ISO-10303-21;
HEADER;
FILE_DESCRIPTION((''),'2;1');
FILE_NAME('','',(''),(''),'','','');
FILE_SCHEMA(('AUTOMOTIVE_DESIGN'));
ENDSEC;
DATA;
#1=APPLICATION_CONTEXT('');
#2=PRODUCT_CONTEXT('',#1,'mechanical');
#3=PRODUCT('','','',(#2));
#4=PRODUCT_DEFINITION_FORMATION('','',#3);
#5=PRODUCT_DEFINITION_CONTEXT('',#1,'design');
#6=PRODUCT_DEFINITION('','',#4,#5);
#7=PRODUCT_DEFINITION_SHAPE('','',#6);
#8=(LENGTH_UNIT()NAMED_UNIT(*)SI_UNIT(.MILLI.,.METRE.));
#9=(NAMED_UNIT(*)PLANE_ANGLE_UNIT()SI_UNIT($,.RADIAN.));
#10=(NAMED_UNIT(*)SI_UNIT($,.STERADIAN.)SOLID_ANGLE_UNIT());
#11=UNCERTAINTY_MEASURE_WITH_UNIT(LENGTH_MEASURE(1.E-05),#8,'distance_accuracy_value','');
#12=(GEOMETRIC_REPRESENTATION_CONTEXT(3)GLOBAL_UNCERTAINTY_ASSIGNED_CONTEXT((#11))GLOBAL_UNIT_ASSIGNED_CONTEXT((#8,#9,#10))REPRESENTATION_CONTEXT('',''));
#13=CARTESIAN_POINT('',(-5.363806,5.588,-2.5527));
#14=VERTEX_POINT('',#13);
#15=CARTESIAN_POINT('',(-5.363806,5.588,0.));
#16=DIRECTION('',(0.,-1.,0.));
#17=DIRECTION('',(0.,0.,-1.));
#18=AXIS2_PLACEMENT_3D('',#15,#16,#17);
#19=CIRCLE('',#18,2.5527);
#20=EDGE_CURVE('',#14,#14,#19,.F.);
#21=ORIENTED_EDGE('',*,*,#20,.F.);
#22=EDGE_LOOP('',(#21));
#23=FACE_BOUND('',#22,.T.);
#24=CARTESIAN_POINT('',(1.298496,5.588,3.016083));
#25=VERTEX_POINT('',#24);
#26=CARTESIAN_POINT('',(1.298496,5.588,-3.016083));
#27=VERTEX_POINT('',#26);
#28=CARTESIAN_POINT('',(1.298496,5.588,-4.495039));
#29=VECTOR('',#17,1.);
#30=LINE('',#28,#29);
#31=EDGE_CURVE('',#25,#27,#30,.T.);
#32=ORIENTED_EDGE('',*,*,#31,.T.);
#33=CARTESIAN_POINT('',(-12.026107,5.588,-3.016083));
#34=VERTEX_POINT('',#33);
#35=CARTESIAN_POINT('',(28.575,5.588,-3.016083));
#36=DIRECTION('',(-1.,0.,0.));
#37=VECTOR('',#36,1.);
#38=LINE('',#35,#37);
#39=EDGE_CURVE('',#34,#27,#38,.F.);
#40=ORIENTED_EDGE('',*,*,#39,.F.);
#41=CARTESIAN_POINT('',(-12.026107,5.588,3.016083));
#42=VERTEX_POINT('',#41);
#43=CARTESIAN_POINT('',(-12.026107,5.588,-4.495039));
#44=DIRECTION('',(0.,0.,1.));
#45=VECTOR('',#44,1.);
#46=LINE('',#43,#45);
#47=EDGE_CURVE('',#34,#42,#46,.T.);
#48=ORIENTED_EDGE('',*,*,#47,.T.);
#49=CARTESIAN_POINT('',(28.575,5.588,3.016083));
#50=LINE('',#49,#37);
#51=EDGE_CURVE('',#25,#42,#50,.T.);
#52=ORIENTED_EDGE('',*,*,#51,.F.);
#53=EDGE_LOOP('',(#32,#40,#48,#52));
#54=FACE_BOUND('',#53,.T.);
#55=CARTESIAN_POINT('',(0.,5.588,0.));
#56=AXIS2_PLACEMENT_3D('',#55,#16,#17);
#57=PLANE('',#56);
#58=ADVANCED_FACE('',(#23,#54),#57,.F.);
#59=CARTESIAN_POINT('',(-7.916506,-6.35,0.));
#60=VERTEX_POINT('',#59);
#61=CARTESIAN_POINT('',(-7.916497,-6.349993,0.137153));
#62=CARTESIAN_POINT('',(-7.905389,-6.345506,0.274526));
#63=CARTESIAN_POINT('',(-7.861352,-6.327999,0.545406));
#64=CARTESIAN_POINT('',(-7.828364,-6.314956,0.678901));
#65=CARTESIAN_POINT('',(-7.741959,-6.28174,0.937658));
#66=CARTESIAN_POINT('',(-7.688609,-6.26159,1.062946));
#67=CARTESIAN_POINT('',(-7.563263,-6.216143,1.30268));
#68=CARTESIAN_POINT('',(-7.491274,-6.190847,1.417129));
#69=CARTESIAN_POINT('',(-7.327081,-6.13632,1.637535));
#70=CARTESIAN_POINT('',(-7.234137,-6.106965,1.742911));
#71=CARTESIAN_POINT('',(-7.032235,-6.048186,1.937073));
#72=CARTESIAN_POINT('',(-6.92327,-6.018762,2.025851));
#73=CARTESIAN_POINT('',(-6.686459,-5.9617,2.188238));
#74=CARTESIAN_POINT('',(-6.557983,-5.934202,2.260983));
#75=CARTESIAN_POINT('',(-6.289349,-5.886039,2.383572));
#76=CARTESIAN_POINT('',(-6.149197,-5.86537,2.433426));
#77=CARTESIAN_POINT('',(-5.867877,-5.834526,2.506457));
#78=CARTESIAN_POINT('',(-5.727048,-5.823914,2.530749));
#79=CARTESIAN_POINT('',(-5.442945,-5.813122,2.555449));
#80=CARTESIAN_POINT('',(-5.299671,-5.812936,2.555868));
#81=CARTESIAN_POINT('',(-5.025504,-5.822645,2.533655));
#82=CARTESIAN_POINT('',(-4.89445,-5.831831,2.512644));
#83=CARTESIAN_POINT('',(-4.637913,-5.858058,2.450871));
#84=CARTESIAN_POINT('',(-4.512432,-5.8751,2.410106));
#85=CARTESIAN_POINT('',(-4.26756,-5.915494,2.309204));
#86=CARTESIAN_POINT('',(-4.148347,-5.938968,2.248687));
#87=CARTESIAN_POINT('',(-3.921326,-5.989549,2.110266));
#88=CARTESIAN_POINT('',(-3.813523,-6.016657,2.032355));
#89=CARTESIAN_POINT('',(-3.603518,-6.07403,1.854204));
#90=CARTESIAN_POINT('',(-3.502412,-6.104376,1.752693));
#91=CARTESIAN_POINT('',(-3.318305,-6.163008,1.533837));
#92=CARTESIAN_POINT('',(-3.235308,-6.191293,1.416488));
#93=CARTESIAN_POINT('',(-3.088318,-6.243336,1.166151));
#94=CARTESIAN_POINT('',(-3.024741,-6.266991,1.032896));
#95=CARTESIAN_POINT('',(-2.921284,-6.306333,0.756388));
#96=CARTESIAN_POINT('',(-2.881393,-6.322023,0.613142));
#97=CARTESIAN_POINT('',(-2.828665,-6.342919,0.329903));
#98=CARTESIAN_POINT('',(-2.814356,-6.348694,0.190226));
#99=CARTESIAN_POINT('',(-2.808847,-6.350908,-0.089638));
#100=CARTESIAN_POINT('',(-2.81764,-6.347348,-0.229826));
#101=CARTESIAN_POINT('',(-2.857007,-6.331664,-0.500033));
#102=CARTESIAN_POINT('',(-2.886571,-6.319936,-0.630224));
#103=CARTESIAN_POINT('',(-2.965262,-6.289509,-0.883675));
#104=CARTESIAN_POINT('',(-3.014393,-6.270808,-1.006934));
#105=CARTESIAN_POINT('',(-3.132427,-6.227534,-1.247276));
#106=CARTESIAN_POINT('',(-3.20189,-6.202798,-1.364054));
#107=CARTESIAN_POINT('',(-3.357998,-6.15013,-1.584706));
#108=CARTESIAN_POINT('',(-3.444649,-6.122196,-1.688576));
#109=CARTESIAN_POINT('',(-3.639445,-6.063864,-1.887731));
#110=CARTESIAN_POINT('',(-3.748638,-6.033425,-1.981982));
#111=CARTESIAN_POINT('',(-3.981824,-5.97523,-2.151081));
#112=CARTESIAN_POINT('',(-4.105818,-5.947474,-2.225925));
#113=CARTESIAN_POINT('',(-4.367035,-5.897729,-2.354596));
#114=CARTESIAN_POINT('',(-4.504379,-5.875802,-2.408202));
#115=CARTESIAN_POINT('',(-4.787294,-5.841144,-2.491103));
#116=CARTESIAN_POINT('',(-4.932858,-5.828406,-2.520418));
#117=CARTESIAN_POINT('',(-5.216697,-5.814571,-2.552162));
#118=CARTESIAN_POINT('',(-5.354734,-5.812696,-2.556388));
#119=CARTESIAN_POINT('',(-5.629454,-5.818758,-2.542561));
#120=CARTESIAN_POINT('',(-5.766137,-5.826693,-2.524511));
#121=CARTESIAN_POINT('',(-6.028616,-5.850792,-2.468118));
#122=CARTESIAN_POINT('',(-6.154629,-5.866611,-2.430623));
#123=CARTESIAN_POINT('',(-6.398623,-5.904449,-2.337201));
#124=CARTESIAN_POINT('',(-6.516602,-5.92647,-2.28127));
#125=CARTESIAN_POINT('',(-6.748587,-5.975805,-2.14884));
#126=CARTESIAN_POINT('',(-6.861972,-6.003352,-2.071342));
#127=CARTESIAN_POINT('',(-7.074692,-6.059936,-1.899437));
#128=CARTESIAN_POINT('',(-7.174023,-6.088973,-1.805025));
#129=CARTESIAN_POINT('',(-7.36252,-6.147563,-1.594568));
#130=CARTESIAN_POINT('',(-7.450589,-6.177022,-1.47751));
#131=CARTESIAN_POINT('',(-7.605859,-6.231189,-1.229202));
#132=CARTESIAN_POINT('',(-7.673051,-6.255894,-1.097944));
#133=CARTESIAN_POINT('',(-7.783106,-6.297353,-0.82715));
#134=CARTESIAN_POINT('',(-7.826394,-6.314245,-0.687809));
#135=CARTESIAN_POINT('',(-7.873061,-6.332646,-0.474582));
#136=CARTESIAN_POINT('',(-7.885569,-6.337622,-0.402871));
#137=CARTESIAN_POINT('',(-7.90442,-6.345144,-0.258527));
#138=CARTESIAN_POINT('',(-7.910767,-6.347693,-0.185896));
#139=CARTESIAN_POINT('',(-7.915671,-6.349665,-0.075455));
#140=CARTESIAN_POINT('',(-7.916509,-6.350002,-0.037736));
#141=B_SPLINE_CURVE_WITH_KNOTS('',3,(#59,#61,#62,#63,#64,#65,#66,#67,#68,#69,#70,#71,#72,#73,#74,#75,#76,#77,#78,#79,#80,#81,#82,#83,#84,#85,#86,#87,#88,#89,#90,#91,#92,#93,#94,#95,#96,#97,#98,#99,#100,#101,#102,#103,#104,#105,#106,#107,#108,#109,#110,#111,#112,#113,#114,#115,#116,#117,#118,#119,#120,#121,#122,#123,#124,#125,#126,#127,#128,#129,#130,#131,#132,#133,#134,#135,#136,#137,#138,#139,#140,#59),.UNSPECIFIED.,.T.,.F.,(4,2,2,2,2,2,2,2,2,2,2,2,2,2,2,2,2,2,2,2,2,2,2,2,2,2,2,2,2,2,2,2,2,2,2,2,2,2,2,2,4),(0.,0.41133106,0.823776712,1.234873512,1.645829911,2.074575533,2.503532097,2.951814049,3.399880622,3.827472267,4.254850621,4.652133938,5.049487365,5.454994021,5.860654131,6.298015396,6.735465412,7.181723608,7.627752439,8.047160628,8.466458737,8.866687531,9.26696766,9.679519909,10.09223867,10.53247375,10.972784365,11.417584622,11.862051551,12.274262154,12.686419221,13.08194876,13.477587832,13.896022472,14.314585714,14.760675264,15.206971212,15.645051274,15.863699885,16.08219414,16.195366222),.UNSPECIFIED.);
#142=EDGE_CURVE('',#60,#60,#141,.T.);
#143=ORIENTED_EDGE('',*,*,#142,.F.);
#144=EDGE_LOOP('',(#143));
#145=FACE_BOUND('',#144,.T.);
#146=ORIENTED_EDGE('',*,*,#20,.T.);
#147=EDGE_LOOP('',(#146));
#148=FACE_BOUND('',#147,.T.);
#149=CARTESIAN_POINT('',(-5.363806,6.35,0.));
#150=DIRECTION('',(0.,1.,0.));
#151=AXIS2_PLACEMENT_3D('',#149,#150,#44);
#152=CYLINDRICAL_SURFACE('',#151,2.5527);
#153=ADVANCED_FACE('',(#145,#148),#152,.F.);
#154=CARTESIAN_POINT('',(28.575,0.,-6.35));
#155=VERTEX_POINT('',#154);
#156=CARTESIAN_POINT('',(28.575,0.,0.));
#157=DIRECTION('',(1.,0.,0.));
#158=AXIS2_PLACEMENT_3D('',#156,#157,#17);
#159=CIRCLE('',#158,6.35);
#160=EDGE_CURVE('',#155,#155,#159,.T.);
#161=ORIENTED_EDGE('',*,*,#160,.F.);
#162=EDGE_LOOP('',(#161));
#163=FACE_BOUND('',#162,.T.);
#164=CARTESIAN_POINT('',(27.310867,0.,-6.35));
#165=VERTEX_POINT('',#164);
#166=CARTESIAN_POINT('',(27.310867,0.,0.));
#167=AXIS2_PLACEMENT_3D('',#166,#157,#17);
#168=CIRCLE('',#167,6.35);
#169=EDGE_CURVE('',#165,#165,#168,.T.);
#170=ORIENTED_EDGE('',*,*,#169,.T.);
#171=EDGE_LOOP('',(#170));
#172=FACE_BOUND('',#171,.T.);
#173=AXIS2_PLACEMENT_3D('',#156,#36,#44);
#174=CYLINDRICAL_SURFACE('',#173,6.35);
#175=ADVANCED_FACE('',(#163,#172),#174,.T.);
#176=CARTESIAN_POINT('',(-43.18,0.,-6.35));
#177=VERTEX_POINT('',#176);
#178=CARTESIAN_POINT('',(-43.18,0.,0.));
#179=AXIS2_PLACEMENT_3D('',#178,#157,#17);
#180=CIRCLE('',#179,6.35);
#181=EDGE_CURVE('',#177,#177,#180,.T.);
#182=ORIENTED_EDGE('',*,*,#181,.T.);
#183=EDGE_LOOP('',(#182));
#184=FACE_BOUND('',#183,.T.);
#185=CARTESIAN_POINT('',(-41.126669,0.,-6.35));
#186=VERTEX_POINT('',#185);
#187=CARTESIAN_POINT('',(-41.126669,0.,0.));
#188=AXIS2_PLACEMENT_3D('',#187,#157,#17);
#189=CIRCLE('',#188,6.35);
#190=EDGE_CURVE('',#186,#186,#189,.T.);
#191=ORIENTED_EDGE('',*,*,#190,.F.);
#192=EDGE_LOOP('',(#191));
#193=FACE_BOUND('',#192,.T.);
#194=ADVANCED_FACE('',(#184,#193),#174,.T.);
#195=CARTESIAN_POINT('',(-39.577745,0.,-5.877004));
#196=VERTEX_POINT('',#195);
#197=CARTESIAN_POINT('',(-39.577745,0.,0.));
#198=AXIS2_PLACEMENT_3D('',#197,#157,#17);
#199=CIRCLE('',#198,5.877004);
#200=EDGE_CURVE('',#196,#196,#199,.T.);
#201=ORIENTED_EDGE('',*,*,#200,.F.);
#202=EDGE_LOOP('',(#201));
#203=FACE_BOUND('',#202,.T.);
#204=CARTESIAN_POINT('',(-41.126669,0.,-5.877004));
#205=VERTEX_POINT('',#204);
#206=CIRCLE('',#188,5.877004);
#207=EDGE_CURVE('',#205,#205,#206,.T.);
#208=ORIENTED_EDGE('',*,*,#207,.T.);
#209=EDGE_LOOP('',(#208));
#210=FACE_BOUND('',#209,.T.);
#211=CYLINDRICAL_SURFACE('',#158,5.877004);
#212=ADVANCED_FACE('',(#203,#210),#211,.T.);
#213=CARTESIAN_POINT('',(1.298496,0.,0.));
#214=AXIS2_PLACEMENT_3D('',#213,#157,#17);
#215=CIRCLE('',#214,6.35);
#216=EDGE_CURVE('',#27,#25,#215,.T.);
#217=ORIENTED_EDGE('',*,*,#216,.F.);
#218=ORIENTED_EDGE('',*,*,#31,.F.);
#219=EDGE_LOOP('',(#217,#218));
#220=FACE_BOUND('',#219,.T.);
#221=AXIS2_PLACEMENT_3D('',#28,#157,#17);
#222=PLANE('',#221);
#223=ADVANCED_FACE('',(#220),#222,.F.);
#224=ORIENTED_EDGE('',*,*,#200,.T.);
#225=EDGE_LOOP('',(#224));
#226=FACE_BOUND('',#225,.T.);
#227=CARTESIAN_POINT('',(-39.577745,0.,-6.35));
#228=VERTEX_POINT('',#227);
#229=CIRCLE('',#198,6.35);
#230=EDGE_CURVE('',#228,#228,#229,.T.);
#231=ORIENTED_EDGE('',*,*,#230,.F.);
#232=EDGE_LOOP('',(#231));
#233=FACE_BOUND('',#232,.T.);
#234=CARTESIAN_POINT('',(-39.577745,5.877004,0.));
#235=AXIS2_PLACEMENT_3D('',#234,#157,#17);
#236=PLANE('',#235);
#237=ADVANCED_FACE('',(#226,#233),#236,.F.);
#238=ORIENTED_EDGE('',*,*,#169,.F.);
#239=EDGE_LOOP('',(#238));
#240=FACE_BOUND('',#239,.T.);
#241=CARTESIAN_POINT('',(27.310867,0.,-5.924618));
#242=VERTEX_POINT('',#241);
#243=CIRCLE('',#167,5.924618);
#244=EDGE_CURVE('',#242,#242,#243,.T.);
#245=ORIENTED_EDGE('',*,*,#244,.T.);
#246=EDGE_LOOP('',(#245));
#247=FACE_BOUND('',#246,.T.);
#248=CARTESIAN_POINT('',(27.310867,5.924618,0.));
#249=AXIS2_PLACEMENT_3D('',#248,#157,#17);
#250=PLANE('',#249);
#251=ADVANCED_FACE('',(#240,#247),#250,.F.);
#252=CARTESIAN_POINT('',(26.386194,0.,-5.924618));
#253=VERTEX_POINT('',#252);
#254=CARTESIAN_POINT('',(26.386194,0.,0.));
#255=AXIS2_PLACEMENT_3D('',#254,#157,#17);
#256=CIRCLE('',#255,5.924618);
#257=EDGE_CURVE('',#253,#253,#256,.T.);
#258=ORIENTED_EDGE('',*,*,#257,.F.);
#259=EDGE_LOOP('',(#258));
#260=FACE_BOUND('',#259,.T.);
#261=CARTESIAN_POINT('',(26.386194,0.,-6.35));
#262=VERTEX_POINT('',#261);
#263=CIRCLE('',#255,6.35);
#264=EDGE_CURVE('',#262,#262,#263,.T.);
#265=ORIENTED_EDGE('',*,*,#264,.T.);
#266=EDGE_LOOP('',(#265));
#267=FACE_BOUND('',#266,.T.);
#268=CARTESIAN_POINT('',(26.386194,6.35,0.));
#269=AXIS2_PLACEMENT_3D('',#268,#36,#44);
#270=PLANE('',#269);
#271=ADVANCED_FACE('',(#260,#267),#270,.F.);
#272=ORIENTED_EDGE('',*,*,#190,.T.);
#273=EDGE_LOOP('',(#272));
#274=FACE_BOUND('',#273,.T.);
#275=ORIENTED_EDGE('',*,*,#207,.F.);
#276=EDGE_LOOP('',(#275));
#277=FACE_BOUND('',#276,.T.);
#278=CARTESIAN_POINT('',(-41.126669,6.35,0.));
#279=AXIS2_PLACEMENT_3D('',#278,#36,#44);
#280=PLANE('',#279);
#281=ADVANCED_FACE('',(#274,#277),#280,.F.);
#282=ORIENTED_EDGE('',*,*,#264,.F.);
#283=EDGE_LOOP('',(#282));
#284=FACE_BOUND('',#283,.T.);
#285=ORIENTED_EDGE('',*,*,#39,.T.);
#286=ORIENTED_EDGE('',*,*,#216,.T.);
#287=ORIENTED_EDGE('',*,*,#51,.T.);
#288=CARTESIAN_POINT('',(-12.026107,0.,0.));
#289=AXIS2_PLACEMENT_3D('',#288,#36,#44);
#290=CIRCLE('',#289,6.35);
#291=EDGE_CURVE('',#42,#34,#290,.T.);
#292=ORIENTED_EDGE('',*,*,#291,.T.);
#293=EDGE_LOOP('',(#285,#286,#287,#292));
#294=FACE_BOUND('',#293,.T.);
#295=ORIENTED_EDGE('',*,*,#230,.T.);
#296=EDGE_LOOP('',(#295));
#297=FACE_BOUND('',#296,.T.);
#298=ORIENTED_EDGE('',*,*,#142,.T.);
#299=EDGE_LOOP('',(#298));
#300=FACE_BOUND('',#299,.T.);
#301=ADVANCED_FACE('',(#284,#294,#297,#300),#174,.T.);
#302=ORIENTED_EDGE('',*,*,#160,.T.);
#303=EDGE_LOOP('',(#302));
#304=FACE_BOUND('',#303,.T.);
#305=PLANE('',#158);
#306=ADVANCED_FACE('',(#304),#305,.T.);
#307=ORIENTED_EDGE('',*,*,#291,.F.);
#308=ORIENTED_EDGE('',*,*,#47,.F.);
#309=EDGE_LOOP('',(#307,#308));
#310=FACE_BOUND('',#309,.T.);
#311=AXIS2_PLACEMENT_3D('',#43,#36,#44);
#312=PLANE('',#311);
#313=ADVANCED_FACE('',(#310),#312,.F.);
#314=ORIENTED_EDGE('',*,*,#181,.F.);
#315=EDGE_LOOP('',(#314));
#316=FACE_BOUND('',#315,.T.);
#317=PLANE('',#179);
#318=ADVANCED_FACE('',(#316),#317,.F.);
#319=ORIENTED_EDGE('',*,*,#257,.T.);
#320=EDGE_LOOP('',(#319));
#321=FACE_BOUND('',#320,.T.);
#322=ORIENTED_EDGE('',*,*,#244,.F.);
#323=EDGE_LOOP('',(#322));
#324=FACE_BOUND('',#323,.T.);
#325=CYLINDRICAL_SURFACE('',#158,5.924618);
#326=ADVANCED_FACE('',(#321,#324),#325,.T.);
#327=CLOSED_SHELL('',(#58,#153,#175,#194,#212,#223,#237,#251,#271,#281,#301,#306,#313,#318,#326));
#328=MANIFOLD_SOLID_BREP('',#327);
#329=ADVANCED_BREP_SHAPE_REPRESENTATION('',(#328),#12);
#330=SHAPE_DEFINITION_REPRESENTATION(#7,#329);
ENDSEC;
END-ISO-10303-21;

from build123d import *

# Parameters (mm, degrees)
SKETCH1_R               = 6.35
BOSS_EXTRUDE1_DEPTH     = 28.575
SKETCH2_W               = 0.924673016
SKETCH2_H               = 0.42538178
BOSS_EXTRUDE3_START     = -43.18
SKETCH7_R               = 6.35
BOSS_EXTRUDE3_DEPTH     = 43.18
SKETCH8_W               = 1.548924628
SKETCH8_H               = 0.472995579
F_1_4_20_TAPPED_HOLE2_D = 5.1054
SKETCH17_W              = 13.324603024
SKETCH17_H              = 8.990077112
CUT_EXTRUDE3_DEPTH      = 0.762


with BuildPart() as part:
    # Sketch1 → Boss-Extrude1 (new body)
    with BuildSketch(Plane(origin=(0, 0, 0), x_dir=(0, 0, -1), z_dir=(1, 0, 0))):
        Circle(SKETCH1_R)
    extrude(amount=BOSS_EXTRUDE1_DEPTH)

    # Sketch2 → Cut-Revolve1 (revolve, cut)
    with BuildSketch(Plane.XY, mode=Mode.PRIVATE) as cut_revolve1_sk:
        with Locations((26.848530558, 6.13730911)):
            Rectangle(SKETCH2_W, SKETCH2_H)
    revolve(cut_revolve1_sk.sketch.rotate(Axis((28.575, 0, 0), (-1, 0, 0)), 90), axis=Axis((28.575, 0, 0), (-1, 0, 0)), mode=Mode.SUBTRACT)

    # Sketch7 → Boss-Extrude3 (add)
    with BuildSketch(Plane(origin=(0, 0, 0), x_dir=(0, 0, -1), z_dir=(1, 0, 0)).offset(BOSS_EXTRUDE3_START)):
        Circle(SKETCH7_R)
    extrude(amount=BOSS_EXTRUDE3_DEPTH)

    # Sketch8 → Cut-Revolve2 (revolve, cut)
    with BuildSketch(Plane.XY, mode=Mode.PRIVATE) as cut_revolve2_sk:
        with Locations((-40.352206887, 6.113502211)):
            Rectangle(SKETCH8_W, SKETCH8_H)
    revolve(cut_revolve2_sk.sketch.rotate(Axis((28.575, 0, 0), (-1, 0, 0)), 90), axis=Axis((28.575, 0, 0), (-1, 0, 0)), mode=Mode.SUBTRACT)

    # 1/4-20 Tapped Hole2 (through all)
    with Locations(Plane(origin=(0, 6.35, 0), x_dir=(1, 0, 0), z_dir=(0, 1, 0))):
        with Locations((-5.36380595, 0)):
            Hole(F_1_4_20_TAPPED_HOLE2_D / 2)

    # Sketch17 → Cut-Extrude3 (cut)
    with BuildSketch(Plane(origin=(0, 6.35, 0), x_dir=(1, 0, 0), z_dir=(0, 1, 0))):
        with Locations((-5.36380595, 0)):
            Rectangle(SKETCH17_W, SKETCH17_H)
    extrude(amount=-CUT_EXTRUDE3_DEPTH, mode=Mode.SUBTRACT)


solid = part.part
